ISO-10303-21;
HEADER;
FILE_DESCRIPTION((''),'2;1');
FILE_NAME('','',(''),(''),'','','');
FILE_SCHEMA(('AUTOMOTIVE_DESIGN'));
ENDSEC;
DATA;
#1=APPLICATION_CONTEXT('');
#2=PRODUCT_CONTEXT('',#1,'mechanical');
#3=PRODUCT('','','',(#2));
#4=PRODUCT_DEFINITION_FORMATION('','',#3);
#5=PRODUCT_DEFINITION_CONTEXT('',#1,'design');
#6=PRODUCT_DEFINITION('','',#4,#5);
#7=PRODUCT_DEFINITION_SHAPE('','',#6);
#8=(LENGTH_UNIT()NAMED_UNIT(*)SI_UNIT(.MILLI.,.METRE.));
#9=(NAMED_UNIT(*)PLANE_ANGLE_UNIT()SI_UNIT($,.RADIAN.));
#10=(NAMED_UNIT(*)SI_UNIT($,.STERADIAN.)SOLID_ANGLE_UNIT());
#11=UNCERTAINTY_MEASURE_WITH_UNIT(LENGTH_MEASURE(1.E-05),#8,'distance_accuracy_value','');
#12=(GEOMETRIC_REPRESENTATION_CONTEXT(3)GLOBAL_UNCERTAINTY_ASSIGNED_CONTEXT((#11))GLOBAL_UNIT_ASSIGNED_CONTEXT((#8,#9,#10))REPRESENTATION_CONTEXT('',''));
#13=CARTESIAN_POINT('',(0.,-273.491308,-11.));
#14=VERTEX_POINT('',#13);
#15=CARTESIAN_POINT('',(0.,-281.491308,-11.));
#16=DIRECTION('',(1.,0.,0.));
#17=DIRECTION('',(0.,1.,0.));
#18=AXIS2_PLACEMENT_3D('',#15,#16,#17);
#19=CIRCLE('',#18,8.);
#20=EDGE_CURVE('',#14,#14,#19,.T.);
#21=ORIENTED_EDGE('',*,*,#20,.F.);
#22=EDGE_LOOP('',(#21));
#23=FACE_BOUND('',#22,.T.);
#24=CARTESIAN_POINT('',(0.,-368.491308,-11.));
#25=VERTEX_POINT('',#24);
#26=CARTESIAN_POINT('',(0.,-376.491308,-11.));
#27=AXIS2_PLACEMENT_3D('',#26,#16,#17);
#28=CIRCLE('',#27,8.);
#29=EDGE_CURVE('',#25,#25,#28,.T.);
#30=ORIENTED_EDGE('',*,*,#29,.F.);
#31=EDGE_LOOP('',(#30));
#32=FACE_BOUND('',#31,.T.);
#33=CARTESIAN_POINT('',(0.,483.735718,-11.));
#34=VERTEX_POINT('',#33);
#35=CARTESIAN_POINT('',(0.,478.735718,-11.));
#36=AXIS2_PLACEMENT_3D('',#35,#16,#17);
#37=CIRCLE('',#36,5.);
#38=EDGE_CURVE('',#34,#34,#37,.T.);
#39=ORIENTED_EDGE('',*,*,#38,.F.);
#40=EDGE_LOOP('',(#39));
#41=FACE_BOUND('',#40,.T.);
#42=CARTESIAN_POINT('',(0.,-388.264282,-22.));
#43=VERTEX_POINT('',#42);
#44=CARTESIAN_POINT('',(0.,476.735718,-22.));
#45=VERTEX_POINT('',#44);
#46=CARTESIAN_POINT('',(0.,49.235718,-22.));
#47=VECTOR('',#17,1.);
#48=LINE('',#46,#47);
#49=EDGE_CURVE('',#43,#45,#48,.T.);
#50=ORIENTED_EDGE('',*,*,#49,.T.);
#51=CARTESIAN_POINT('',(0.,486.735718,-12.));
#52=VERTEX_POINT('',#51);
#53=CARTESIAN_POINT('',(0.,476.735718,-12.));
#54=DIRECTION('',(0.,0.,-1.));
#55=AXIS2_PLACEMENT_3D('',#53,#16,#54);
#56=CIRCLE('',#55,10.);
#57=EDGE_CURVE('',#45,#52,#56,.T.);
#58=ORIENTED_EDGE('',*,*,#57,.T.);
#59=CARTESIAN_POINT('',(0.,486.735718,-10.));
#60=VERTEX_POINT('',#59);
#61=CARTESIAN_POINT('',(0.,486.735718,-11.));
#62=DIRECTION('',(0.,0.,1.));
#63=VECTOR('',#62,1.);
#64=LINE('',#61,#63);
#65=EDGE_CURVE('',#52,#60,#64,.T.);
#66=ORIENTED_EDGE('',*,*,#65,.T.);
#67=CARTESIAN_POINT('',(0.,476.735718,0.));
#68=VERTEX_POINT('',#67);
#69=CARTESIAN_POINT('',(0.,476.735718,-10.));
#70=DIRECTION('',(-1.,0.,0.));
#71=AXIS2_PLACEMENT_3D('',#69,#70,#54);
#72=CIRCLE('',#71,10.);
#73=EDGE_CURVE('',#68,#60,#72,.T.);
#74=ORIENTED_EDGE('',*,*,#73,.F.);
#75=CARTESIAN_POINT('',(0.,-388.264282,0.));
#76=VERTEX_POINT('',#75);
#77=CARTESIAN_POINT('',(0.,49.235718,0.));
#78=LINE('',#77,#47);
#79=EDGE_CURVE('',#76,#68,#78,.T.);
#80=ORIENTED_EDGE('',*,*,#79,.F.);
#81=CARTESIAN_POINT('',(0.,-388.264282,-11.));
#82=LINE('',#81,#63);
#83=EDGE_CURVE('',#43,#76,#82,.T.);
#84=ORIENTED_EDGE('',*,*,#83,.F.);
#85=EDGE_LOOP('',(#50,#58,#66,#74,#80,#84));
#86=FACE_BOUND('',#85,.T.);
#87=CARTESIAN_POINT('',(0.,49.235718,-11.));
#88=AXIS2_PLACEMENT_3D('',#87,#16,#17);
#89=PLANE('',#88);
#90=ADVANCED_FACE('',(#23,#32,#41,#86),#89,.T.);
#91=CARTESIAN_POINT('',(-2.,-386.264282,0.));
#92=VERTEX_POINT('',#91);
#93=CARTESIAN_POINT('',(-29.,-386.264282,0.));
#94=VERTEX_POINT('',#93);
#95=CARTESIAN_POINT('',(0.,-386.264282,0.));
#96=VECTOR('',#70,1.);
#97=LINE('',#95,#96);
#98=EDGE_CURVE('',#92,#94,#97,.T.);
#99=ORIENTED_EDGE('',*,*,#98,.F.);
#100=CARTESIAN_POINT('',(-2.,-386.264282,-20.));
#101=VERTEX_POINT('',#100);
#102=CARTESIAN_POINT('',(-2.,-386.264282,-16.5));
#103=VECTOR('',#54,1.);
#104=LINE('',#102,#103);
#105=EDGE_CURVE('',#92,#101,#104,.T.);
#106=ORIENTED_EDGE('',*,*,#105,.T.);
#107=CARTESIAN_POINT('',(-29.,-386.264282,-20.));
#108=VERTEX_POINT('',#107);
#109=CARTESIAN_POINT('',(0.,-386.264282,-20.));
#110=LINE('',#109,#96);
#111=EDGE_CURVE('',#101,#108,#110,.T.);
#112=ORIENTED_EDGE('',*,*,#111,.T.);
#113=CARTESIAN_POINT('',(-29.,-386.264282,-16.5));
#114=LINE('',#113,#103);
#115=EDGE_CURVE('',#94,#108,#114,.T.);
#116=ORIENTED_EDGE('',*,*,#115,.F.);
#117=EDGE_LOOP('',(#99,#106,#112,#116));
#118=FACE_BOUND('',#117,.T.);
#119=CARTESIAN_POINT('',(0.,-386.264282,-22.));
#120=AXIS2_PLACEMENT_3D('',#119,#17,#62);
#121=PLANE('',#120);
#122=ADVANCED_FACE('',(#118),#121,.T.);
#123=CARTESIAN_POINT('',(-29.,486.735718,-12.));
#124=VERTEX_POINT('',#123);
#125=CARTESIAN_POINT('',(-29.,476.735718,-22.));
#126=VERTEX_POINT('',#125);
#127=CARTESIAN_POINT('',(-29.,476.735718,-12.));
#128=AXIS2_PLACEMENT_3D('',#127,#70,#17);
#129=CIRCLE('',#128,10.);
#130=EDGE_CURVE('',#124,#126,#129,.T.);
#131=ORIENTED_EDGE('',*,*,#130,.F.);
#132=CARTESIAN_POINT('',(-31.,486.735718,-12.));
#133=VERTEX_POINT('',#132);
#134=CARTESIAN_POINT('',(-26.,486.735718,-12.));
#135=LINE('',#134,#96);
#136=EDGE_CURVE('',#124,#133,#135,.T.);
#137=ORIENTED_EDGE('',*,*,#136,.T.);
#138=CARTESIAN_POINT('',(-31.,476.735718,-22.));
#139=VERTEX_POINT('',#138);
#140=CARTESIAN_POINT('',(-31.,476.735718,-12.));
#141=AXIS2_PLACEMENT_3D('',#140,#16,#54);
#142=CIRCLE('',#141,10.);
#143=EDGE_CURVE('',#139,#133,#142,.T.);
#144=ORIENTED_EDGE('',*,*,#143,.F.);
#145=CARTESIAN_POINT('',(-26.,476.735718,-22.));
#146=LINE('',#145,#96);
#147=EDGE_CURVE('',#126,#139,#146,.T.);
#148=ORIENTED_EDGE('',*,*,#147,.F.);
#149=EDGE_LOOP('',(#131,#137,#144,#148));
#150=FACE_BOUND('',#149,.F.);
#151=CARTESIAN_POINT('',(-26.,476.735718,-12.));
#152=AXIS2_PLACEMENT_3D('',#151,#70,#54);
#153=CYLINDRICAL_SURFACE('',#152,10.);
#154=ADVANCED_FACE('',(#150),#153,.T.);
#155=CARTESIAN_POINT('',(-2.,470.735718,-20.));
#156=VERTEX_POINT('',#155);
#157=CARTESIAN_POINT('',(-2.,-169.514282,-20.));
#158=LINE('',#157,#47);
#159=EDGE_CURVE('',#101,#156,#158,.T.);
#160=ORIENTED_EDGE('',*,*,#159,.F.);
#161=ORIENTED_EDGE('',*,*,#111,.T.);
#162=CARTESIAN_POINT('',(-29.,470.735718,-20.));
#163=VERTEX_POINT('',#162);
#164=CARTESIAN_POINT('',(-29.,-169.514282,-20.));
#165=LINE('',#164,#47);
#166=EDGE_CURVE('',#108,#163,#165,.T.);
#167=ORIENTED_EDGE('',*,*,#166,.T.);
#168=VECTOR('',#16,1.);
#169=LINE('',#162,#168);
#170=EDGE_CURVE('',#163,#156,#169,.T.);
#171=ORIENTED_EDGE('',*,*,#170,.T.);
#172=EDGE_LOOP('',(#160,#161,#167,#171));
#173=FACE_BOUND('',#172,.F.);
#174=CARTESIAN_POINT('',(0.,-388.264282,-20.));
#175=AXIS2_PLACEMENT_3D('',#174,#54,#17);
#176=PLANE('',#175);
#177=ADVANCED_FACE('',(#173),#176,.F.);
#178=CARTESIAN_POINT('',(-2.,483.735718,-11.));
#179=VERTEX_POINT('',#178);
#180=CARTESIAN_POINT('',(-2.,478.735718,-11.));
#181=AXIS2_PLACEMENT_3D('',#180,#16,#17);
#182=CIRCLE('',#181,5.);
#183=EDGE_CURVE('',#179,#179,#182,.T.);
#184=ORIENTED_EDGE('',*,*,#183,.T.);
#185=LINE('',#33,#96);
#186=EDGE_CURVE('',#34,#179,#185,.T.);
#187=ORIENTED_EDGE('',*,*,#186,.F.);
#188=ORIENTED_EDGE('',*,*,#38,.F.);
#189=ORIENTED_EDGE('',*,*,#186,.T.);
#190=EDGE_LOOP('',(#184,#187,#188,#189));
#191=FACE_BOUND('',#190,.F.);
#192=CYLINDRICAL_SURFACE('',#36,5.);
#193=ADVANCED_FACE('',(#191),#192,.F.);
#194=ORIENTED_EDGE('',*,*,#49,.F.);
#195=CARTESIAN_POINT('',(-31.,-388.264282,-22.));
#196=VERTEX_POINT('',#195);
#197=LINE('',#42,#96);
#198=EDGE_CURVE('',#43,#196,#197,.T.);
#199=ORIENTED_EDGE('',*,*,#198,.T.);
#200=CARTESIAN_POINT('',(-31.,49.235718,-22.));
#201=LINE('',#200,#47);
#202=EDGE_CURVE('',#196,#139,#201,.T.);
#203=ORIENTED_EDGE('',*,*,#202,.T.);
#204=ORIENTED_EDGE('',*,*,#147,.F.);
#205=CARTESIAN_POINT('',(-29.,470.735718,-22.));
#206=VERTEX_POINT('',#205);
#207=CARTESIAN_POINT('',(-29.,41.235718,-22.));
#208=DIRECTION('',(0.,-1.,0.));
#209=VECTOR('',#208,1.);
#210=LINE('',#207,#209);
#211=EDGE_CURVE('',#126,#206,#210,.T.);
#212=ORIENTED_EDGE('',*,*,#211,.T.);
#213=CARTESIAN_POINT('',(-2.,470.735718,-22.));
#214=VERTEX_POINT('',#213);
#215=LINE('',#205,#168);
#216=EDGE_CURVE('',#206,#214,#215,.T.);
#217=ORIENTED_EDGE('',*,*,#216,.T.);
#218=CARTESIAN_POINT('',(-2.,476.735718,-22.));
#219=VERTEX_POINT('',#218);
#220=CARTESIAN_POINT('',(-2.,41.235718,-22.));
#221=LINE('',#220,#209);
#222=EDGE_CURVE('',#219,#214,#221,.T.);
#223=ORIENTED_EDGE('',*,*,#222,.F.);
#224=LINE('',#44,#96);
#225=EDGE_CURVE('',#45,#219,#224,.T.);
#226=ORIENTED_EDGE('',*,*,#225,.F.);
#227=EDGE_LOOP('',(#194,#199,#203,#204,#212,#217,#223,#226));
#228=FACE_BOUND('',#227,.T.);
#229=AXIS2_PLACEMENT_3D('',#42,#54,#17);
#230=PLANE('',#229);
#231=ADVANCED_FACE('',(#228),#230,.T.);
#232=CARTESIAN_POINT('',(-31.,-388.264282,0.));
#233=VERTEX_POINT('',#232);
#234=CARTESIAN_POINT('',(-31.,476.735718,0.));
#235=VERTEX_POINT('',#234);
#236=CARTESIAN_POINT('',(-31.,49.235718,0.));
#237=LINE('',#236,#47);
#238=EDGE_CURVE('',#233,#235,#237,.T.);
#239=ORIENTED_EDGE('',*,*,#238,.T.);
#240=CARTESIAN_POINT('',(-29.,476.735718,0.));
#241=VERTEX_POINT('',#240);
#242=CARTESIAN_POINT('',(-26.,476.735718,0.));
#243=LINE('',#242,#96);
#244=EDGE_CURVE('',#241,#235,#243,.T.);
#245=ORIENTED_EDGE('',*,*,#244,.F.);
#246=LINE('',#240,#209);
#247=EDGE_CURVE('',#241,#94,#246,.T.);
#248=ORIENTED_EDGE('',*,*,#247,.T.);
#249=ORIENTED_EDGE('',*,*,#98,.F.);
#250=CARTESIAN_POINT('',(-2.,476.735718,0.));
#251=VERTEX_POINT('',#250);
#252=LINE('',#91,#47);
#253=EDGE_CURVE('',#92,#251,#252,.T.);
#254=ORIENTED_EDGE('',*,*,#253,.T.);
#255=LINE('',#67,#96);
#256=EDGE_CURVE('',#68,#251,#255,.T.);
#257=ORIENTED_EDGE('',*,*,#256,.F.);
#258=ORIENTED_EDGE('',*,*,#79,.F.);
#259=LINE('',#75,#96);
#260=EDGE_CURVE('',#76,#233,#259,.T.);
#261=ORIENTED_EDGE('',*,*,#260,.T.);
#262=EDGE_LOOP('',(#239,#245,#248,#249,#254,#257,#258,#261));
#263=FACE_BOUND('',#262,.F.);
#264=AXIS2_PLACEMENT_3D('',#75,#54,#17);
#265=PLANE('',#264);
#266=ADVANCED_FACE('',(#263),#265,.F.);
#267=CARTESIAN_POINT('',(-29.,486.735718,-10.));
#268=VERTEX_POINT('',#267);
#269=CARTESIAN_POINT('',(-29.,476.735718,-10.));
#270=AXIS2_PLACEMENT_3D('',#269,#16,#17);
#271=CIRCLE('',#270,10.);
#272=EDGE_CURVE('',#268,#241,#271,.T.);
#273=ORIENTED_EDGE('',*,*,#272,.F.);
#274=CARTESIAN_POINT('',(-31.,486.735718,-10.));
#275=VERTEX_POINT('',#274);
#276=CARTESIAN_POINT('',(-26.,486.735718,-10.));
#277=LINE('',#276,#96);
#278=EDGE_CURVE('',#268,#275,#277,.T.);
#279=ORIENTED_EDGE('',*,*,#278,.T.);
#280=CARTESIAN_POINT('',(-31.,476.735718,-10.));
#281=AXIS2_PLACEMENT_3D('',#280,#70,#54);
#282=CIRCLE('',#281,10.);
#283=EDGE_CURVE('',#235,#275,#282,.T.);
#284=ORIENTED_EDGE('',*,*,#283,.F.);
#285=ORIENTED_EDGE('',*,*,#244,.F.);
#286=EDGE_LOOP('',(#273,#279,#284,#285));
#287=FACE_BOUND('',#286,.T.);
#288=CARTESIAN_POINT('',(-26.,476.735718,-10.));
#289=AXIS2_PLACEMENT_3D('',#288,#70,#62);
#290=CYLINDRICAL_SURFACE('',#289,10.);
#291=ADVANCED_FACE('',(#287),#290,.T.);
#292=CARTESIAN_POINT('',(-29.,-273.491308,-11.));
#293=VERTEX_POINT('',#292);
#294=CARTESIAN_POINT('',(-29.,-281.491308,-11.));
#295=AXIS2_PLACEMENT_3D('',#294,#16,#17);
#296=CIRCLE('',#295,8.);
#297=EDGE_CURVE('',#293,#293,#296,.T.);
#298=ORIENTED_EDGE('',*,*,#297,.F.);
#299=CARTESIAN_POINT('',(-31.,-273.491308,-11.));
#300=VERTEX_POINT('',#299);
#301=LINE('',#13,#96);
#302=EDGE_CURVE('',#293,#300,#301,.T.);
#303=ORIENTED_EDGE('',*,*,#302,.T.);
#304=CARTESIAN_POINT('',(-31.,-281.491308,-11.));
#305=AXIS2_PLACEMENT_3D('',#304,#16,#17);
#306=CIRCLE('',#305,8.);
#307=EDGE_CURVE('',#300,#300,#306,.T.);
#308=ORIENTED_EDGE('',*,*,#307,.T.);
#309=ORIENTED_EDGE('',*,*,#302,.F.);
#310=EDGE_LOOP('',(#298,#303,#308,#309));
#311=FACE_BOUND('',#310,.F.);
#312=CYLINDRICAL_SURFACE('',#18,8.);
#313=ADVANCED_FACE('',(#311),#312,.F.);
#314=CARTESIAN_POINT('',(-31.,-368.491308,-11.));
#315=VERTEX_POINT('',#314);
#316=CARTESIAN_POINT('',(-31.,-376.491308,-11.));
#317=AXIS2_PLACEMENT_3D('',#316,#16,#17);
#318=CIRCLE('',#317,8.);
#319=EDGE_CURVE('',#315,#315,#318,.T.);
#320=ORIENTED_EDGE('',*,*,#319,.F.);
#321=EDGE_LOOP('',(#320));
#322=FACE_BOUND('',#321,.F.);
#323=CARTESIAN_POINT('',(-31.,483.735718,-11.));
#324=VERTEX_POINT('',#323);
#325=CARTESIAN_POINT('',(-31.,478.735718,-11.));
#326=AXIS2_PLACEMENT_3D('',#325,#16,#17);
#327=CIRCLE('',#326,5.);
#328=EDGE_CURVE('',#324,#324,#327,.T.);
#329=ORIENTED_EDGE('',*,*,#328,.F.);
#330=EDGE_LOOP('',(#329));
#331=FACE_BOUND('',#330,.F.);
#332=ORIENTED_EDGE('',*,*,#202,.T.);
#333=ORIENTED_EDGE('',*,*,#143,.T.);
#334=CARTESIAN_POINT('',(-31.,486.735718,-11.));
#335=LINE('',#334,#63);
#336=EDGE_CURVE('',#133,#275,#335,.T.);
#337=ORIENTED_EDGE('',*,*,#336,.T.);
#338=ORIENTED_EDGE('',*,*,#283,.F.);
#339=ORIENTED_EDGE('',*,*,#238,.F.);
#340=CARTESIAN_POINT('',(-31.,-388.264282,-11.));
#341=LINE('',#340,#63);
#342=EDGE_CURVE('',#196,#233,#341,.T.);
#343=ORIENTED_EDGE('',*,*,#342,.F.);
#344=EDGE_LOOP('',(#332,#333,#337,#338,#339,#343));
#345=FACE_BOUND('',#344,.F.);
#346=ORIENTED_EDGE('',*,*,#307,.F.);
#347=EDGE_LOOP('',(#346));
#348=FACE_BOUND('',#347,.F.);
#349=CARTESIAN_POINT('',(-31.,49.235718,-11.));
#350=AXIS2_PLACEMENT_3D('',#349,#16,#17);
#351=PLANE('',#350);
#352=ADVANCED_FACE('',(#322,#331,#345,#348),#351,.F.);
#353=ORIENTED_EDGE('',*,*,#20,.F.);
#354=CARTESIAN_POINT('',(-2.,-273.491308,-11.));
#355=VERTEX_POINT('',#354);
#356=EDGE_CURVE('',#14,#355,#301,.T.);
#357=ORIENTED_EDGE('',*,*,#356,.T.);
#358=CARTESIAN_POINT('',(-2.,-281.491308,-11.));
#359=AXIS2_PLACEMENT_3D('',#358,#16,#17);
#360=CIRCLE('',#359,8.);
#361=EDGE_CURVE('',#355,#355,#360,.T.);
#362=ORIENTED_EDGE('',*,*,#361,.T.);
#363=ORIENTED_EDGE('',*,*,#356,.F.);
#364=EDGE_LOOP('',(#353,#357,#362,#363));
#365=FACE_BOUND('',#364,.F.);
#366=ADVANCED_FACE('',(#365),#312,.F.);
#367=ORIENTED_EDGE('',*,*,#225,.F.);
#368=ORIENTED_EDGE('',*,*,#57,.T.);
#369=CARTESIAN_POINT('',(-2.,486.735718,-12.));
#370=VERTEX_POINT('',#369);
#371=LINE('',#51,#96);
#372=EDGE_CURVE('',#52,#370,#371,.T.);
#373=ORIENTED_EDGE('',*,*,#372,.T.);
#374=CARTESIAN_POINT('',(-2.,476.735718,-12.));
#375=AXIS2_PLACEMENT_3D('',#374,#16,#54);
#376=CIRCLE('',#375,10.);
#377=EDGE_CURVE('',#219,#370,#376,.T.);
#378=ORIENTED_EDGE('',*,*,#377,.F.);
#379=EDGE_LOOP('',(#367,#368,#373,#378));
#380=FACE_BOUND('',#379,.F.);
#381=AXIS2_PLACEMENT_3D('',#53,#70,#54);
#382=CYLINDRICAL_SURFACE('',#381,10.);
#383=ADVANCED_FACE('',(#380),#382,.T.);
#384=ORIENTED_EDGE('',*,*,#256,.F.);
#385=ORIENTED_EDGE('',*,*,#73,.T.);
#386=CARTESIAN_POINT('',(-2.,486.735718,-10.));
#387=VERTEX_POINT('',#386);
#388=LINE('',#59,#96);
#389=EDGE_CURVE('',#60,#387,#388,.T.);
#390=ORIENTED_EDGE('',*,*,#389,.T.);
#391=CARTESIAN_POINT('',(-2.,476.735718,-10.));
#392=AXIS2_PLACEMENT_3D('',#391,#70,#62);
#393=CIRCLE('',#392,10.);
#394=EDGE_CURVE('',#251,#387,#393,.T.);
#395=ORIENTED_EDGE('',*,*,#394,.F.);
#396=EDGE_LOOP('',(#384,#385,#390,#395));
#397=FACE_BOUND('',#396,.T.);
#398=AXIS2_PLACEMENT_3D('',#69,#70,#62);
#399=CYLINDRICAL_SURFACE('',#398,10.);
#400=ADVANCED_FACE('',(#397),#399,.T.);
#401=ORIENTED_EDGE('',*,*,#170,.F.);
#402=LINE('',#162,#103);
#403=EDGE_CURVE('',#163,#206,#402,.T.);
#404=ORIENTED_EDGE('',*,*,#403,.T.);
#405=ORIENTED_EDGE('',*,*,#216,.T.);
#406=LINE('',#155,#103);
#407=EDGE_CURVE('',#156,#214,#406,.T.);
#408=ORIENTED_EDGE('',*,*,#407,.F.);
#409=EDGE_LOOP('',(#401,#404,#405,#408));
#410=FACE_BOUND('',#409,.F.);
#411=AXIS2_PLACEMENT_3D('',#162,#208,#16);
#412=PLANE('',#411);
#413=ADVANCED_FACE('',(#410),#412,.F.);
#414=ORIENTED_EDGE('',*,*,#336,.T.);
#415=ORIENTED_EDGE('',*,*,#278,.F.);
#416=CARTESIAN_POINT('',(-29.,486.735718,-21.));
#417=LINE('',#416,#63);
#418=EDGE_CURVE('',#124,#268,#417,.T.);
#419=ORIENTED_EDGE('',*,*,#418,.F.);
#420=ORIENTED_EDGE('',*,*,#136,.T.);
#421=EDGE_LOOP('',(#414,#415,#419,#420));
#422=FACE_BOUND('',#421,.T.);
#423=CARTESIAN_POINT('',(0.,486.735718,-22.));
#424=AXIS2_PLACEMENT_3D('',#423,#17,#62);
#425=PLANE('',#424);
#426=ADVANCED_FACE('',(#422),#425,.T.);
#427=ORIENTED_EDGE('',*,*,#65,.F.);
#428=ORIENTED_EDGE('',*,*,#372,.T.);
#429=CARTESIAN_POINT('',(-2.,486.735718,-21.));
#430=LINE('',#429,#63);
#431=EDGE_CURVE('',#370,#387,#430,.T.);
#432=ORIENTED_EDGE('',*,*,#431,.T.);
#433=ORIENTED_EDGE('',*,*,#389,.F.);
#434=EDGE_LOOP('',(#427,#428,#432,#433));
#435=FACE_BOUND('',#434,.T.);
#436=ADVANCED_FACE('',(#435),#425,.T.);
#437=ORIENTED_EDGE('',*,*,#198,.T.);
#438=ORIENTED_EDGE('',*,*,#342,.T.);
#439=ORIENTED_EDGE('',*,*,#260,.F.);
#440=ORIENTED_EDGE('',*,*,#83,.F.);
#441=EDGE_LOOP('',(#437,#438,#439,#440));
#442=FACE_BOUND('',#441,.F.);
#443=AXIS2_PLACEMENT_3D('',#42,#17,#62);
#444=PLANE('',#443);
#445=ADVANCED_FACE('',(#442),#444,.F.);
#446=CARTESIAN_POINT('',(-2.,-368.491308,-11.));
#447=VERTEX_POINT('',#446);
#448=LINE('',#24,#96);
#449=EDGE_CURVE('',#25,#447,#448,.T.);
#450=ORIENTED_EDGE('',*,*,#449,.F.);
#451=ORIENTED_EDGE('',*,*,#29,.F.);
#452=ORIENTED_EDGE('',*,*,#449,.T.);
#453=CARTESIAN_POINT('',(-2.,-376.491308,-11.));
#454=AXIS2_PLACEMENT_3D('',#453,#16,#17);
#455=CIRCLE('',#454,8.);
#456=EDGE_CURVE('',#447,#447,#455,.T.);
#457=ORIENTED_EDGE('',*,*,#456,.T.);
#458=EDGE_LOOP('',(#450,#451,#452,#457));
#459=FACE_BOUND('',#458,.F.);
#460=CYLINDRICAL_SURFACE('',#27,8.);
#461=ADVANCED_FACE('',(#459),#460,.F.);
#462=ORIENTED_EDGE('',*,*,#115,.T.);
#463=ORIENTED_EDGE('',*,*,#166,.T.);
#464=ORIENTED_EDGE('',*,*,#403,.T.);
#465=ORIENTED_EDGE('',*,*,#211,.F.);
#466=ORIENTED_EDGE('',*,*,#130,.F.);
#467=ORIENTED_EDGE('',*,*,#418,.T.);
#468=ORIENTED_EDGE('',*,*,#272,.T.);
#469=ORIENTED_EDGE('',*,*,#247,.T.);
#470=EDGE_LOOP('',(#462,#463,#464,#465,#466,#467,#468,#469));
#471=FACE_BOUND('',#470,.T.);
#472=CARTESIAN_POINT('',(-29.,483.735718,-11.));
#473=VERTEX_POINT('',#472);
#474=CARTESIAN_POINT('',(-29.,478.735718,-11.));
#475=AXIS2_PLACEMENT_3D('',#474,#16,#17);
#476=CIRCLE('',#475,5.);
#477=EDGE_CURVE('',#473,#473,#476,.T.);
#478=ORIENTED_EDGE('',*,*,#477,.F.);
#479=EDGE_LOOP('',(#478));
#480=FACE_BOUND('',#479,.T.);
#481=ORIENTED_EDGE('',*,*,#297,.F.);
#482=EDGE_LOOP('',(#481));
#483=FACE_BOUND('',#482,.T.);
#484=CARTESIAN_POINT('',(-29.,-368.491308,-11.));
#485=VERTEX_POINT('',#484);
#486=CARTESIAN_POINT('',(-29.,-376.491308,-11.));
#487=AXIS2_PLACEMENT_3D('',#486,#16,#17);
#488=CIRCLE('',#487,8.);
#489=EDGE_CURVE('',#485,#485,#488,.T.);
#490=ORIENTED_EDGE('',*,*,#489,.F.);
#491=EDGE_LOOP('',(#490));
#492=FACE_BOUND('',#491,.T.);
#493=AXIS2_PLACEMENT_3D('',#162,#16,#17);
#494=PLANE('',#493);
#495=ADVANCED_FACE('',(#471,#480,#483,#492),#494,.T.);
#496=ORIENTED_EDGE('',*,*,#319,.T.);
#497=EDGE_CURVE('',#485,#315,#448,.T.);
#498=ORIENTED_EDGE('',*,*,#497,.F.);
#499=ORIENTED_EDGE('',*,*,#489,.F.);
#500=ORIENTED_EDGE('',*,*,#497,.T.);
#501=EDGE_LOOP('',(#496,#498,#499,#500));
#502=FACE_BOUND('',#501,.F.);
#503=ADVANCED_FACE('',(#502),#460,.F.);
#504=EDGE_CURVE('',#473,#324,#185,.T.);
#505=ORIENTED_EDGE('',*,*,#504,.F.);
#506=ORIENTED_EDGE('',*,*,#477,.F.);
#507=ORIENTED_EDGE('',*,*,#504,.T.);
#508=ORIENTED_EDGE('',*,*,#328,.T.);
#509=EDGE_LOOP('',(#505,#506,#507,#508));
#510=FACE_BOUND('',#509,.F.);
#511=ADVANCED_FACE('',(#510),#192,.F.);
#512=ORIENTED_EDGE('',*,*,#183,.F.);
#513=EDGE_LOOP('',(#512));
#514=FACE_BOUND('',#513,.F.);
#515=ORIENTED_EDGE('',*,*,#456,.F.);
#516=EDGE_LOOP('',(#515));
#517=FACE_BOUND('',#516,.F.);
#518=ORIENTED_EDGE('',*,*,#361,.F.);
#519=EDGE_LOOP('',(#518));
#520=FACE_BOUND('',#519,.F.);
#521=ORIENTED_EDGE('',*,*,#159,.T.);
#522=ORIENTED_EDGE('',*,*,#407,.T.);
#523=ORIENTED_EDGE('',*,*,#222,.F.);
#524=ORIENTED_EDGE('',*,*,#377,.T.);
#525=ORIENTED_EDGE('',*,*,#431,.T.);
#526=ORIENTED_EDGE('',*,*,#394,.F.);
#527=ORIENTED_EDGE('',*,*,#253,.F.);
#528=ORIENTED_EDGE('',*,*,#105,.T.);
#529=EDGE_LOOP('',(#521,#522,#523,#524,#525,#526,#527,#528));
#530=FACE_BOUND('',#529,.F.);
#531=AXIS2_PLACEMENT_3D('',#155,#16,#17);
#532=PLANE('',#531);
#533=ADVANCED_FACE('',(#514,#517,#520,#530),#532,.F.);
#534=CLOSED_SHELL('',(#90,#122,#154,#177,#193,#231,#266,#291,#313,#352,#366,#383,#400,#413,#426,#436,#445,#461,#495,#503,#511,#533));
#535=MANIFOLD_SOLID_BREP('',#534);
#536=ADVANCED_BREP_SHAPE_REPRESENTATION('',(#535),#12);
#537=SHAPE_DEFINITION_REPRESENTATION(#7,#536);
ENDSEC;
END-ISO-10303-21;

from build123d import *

# Parameters (mm, degrees)
F0_W      = 875
F0_H      = 22
F1_DEPTH  = 31
F2_T      = -2
F3_R      = 5
F4_DEPTH  = 61
F5_W      = 16
F5_H      = 16
F6_DEPTH  = 46
F7_R      = 8
F8_DEPTH  = 96
F9_R      = 10
F10_W     = 27
F10_H     = 21.5130257002
F11_DEPTH = 25
F12_W     = 27
F12_H     = 18.3594822884
F13_DEPTH = 25


with BuildPart() as f1:
    # F0 (on Right) → F1 (new body)
    with BuildSketch(Plane.YZ):
        with Locations((49.2357180723, -11)):
            Rectangle(F0_W, F0_H)
    extrude(amount=-F1_DEPTH)

    # F2
    f2_openings = [f1.faces().sort_by_distance(p)[0] for p in [
        (-15.5, 49.235718, 0),
    ]]
    offset(amount=F2_T, openings=f2_openings)

    # F3 (on face) → F4 (cut)
    with BuildSketch(Plane.YZ):
        with Locations((478.7357180723, -11)):
            Circle(F3_R)
    extrude(amount=-F4_DEPTH, mode=Mode.SUBTRACT)

    # F5 (on face) → F6 (cut)
    with BuildSketch(Plane.XY):
        with Locations((-18, 478.7357180723)):
            Rectangle(F5_W, F5_H)
    extrude(amount=-F6_DEPTH, mode=Mode.SUBTRACT)

    # F7 (on face) → F8 (cut)
    with BuildSketch(Plane.YZ):
        with Locations((-376.4913082123, -11)):
            Circle(F7_R)
        with Locations((-281.4913082123, -11)):
            Circle(F7_R)
    extrude(amount=-F8_DEPTH, mode=Mode.SUBTRACT)

    # F9
    f9_edges = [f1.edges().sort_by_distance(p)[0] for p in [
        (-5, 486.735718, 0),
        (-28.5, 486.735718, 0),
        (-6, 484.735718, -20),
        (-5, 486.735718, -22),
        (-27.5, 484.735718, -20),
        (-28.5, 486.735718, -22),
    ]]
    fillet(f9_edges, radius=F9_R)

    # F10 (on face) → F11 (cut)
    with BuildSketch(Plane.XY.offset(-20)):
        with Locations((-15.5, 481.4922309224)):
            Rectangle(F10_W, F10_H)
    extrude(amount=-F11_DEPTH, mode=Mode.SUBTRACT)

    # F12 (on face) → F13 (cut)
    with BuildSketch(Plane.XY.offset(-20)):
        with Locations((-15.5, 482.3970198631)):
            Rectangle(F12_W, F12_H)
    extrude(amount=F13_DEPTH, mode=Mode.SUBTRACT)


solid = f1.part
